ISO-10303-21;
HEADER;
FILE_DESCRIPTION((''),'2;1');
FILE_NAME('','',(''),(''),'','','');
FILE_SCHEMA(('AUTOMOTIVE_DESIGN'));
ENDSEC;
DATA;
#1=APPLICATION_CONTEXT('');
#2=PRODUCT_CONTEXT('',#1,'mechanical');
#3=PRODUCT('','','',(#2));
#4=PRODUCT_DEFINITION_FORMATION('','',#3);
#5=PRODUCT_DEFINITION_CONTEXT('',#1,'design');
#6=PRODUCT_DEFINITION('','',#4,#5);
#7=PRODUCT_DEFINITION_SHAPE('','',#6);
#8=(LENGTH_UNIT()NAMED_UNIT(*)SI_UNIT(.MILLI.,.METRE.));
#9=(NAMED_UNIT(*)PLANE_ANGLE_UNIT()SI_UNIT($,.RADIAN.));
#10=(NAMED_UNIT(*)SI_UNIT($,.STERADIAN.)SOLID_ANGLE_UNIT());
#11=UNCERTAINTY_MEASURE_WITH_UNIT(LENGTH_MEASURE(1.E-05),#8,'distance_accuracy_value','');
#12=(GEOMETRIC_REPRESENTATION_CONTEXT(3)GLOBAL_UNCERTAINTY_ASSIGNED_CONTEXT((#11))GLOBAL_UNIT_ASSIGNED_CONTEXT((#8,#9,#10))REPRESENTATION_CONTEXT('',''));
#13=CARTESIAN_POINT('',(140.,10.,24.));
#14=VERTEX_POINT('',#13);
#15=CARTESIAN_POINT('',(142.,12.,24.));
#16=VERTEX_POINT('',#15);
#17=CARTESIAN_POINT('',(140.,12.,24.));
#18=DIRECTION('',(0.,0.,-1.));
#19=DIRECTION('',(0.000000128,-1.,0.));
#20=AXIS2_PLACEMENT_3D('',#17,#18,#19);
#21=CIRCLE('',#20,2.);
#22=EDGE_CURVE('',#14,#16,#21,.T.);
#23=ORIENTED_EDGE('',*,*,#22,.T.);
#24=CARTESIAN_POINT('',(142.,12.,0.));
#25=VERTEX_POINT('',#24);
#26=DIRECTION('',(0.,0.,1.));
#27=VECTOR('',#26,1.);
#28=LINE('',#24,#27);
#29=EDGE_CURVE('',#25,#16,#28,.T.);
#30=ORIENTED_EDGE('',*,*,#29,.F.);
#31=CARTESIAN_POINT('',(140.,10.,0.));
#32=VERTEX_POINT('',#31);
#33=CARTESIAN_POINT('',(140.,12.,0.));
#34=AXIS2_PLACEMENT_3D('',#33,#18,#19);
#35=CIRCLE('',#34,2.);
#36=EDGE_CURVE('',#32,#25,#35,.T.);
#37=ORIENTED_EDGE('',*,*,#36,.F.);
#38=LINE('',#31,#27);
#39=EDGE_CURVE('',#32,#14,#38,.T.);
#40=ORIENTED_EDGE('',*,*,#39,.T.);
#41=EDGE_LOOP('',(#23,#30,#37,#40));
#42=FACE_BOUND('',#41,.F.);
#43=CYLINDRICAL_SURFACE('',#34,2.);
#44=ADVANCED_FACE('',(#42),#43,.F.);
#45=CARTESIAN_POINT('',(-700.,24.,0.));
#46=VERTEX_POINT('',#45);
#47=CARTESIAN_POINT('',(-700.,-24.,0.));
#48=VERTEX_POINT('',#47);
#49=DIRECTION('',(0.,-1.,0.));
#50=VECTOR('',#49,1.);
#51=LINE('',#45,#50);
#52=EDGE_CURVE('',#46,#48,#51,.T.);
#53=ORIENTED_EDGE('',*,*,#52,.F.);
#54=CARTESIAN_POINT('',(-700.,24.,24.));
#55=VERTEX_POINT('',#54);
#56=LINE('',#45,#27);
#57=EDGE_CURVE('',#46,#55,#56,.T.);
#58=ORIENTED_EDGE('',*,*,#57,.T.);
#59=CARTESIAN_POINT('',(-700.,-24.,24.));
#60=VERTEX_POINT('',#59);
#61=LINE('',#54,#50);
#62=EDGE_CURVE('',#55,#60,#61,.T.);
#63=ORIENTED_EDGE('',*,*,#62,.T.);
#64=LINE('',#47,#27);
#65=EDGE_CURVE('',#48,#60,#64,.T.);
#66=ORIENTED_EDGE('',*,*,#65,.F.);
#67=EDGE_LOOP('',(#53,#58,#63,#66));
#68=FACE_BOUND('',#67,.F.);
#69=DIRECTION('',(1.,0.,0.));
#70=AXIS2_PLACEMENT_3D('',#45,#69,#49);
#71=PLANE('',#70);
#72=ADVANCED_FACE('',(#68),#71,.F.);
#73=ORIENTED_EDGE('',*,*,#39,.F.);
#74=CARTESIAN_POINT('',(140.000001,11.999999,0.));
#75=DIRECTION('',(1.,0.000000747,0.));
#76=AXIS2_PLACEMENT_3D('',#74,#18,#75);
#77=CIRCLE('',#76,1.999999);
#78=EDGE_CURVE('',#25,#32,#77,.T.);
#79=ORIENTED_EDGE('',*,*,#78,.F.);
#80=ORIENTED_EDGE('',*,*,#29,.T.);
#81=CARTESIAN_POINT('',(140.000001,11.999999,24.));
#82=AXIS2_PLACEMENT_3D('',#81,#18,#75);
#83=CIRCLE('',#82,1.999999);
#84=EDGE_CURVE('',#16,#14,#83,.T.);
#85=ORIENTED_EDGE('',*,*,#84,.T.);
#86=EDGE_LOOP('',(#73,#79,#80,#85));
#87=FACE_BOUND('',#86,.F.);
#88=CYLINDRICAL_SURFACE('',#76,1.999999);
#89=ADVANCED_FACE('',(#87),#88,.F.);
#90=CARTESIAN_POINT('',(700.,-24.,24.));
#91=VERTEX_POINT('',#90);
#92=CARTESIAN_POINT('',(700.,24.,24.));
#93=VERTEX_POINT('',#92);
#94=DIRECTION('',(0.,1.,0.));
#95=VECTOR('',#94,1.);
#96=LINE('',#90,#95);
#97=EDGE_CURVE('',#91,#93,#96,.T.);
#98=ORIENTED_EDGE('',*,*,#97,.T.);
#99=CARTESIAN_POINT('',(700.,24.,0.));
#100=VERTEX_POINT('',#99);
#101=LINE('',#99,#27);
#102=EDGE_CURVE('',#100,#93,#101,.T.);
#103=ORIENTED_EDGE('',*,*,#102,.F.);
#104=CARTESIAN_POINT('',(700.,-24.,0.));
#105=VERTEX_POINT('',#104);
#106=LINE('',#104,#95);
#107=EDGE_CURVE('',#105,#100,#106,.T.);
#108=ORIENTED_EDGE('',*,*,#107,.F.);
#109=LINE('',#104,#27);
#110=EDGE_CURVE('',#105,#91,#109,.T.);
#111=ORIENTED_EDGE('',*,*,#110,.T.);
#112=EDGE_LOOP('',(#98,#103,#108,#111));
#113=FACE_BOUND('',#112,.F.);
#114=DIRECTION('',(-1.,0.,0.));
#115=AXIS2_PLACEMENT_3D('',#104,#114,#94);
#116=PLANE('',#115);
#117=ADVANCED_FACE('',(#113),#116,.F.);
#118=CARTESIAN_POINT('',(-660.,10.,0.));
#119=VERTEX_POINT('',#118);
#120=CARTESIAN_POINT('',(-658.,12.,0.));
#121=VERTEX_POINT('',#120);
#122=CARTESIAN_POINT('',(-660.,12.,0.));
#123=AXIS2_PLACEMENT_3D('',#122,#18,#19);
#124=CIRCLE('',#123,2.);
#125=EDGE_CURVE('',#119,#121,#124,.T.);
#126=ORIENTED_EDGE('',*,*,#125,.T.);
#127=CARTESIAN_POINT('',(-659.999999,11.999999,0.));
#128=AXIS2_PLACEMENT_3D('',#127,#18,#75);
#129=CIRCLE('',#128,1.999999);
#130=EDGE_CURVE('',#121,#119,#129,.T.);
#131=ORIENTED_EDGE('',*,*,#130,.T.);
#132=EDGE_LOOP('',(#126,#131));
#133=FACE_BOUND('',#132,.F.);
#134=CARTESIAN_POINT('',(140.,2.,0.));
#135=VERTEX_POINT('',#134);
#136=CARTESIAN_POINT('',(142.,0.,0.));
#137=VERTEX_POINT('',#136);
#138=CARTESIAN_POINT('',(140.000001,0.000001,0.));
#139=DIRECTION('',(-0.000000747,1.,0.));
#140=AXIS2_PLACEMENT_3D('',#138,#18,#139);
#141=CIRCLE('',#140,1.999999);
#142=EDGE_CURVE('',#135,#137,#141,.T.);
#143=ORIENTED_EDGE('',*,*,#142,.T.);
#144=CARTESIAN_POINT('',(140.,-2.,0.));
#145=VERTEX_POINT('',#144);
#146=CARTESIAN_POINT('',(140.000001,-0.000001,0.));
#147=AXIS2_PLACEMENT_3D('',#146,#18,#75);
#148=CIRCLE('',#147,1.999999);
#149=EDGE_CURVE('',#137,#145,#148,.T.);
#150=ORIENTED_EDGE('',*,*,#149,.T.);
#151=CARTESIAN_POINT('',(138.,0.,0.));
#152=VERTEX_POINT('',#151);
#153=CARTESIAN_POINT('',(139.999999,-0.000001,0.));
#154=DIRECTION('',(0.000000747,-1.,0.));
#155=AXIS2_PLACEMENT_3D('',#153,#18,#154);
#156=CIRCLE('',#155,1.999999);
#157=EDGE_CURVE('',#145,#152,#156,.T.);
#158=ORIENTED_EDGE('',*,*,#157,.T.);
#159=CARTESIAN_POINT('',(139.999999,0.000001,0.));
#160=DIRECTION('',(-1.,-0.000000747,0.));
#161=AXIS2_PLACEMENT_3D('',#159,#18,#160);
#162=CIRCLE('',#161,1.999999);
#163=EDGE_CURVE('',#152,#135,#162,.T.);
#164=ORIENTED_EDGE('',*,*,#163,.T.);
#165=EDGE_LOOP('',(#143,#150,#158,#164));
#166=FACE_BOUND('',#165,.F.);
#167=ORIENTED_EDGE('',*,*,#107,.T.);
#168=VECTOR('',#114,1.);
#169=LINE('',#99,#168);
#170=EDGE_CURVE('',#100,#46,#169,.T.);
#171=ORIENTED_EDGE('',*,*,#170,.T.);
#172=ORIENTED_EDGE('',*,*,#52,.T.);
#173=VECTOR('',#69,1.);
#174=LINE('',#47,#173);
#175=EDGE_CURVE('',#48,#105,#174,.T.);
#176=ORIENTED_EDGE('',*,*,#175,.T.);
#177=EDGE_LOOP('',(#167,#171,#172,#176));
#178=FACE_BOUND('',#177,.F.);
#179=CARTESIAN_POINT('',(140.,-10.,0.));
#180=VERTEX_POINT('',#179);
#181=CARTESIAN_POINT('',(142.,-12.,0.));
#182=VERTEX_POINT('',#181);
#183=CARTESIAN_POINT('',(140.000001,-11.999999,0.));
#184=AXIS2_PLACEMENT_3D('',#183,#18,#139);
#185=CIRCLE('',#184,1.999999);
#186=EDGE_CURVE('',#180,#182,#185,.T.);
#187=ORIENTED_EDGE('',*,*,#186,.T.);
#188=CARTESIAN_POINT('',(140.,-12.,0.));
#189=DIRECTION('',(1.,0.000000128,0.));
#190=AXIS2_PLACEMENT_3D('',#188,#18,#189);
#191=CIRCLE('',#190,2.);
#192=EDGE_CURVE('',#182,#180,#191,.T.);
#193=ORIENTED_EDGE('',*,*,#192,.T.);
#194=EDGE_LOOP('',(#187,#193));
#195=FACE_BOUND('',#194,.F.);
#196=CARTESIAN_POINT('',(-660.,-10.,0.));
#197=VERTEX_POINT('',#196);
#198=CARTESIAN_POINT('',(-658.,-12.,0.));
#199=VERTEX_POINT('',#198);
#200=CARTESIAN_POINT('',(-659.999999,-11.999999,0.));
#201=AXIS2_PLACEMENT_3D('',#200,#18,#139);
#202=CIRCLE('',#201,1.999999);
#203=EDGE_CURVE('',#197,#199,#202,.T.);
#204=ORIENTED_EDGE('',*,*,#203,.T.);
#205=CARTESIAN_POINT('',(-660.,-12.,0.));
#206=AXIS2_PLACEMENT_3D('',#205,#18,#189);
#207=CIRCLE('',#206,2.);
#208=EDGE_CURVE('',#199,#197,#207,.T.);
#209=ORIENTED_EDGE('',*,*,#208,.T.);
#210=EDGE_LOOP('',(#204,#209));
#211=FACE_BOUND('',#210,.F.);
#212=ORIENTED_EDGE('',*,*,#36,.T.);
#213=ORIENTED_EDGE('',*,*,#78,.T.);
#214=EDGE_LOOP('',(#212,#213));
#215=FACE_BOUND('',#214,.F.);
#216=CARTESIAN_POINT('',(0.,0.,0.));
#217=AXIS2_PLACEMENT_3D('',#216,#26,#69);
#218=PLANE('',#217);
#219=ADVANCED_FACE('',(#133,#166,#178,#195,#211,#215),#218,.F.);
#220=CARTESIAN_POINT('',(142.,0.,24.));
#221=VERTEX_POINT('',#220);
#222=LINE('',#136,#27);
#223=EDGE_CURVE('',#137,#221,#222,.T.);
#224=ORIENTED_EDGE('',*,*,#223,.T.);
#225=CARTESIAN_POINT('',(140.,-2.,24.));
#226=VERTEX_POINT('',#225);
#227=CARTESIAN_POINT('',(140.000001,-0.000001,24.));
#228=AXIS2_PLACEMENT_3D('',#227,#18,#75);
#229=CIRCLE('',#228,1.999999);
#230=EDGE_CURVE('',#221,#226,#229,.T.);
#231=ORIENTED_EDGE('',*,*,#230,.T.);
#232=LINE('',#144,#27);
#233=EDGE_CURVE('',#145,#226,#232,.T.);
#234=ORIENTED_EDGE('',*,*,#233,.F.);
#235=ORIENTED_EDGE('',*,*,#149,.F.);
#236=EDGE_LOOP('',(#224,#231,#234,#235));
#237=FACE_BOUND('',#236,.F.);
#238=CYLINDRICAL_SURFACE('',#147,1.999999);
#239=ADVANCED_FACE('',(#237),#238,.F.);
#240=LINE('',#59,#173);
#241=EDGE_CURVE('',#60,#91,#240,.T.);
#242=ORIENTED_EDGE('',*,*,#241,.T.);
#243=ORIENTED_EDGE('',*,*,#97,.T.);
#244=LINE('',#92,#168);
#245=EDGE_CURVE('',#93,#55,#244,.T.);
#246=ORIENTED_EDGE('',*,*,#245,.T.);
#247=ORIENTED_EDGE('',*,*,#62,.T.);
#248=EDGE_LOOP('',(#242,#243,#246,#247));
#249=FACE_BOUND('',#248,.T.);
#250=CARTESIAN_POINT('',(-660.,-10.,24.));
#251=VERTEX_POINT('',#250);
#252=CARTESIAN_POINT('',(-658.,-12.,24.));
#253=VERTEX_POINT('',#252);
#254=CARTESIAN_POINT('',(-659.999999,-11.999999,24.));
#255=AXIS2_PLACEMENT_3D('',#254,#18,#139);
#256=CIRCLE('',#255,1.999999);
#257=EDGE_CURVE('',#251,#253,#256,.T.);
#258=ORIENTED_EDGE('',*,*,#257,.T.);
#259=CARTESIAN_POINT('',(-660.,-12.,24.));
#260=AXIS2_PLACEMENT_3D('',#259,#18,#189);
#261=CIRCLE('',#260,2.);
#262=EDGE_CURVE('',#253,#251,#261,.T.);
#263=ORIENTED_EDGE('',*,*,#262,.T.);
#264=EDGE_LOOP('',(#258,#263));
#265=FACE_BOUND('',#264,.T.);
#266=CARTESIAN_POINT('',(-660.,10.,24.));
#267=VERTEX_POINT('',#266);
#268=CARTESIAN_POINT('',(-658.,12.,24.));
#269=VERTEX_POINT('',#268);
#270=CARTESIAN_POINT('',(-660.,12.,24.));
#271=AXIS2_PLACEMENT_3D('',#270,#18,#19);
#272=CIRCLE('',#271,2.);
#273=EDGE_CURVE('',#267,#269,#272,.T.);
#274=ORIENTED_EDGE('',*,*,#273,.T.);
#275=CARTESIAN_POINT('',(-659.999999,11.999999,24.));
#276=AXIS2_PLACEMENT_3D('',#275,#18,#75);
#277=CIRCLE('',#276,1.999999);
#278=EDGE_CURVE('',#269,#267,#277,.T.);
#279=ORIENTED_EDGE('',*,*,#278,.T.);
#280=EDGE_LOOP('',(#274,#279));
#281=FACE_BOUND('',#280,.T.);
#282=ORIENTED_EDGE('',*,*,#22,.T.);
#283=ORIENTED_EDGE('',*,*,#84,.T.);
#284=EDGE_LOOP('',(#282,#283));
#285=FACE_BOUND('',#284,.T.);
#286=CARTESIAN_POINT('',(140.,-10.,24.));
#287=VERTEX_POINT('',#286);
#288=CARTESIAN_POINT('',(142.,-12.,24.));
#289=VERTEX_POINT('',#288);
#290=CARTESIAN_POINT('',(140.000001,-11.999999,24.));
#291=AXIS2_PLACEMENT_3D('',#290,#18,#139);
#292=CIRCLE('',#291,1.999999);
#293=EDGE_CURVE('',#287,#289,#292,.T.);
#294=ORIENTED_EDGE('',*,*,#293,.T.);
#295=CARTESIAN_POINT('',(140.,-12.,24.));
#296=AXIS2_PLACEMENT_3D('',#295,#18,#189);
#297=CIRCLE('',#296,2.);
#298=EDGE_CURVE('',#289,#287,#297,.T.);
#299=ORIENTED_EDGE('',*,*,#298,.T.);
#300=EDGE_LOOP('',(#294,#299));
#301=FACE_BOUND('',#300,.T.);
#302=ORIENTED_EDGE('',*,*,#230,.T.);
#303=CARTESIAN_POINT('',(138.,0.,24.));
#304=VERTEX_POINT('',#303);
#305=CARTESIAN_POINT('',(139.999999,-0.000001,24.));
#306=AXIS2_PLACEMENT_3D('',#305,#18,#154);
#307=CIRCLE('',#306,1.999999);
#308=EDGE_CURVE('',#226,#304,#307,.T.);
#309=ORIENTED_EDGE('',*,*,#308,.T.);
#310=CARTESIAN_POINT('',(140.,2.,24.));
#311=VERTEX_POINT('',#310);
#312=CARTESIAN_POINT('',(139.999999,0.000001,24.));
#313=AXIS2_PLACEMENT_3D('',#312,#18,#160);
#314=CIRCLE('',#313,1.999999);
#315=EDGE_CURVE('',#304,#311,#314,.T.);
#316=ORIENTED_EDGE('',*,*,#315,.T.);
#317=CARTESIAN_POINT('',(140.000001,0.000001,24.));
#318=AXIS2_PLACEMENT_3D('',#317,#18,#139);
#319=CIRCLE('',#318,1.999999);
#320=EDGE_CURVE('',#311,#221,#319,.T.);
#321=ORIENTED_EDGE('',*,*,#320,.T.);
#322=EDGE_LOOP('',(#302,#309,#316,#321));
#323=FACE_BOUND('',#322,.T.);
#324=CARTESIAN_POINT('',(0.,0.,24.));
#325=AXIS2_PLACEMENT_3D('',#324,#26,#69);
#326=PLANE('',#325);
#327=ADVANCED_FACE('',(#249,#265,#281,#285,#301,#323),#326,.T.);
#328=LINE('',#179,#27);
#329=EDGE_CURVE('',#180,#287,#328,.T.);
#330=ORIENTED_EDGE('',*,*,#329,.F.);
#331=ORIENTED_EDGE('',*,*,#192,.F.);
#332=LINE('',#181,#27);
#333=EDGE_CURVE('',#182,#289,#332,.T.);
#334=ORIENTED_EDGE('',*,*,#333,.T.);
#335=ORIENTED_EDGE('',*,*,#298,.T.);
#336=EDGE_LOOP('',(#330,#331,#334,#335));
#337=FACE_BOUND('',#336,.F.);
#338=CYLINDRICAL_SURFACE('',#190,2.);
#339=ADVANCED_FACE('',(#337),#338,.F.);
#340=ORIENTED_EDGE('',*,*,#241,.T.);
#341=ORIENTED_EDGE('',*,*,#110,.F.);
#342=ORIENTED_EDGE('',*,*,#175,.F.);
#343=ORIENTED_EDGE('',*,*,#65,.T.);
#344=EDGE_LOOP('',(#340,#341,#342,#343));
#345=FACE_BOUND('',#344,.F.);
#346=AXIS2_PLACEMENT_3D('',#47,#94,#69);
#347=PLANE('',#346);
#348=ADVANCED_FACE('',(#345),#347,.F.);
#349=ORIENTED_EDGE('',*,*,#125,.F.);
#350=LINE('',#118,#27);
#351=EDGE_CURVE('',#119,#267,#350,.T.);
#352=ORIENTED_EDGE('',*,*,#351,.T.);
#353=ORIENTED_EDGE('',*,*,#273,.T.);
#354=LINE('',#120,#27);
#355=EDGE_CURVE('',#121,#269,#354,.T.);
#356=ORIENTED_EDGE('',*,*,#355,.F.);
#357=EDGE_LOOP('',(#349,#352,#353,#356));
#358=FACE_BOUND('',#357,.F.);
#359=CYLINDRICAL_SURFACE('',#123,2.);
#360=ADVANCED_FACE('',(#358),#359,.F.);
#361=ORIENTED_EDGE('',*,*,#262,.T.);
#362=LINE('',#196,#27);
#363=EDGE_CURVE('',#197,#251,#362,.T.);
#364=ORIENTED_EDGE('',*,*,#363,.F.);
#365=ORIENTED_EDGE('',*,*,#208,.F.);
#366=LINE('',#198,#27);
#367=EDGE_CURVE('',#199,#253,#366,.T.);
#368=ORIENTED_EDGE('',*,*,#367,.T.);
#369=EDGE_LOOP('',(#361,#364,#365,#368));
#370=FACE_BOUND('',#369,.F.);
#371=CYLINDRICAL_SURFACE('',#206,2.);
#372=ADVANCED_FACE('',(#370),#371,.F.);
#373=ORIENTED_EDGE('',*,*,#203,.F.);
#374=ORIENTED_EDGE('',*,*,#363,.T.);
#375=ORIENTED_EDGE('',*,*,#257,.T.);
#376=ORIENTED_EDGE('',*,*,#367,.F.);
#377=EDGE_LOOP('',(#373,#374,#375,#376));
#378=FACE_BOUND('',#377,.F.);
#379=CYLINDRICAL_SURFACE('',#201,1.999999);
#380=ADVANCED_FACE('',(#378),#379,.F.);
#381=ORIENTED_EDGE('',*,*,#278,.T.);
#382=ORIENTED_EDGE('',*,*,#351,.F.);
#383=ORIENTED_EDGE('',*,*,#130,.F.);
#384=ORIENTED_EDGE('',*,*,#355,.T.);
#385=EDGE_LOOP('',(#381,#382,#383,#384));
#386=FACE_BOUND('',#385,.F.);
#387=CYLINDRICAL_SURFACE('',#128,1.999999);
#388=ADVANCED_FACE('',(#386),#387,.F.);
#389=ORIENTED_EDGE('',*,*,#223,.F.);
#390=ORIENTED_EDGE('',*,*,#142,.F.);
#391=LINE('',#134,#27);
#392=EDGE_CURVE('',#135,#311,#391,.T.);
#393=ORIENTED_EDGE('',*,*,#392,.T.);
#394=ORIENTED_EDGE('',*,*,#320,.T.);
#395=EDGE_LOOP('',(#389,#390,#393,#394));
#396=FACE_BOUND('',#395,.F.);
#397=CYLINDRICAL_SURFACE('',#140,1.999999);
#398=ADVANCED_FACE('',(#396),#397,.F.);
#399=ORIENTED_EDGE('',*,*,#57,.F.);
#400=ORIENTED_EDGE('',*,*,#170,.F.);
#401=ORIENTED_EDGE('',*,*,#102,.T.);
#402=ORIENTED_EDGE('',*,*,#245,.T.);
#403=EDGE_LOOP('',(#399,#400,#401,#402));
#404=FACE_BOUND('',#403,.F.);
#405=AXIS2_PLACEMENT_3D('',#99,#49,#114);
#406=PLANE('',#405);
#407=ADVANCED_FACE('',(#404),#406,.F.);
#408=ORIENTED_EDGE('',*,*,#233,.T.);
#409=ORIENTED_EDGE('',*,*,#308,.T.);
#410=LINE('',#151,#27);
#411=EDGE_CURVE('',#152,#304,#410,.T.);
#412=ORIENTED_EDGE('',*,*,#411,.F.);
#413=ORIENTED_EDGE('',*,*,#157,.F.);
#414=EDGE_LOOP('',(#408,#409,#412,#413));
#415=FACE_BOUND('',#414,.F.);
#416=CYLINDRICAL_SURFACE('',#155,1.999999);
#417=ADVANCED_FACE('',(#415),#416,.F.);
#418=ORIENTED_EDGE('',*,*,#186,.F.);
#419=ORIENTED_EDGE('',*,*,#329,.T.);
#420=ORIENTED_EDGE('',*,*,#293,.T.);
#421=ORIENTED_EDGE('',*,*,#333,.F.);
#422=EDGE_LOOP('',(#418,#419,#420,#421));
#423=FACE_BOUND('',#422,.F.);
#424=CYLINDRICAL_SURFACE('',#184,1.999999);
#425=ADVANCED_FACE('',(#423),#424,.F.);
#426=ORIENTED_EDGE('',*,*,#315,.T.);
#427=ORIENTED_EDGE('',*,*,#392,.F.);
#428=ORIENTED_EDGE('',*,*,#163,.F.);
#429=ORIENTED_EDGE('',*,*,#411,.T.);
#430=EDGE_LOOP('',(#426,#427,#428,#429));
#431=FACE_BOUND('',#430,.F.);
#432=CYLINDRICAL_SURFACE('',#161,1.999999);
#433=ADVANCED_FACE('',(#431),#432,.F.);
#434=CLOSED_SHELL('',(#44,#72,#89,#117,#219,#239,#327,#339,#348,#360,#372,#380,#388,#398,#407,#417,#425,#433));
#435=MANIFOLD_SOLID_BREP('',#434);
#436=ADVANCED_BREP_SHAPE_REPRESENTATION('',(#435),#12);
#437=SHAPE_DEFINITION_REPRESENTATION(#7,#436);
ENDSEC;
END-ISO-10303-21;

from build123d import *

# Parameters (mm, degrees)
F1_DEPTH = 24


with BuildPart() as f1:
    # F0 (on Top) → F1 (new body)
    with BuildSketch(Plane.XY):
        Polygon((-700, -24), (700, -24), (700, 24), (-700, 24), (-700, 0), align=None)
        with BuildLine():
            ThreePointArc((-658, -12), (-661.414214, -13.414214), (-660, -10))
            ThreePointArc((-660, -10), (-658.585786, -10.585786), (-658, -12))
        make_face(mode=Mode.SUBTRACT)
        with BuildLine():
            ThreePointArc((142, -12), (138.585786, -13.414214), (140, -10))
            ThreePointArc((140, -10), (141.414214, -10.585786), (142, -12))
        make_face(mode=Mode.SUBTRACT)
        with BuildLine():
            ThreePointArc((-658, 12), (-658.585786, 10.585786), (-660, 10))
            ThreePointArc((-660, 10), (-661.414214, 13.414214), (-658, 12))
        make_face(mode=Mode.SUBTRACT)
        with BuildLine():
            ThreePointArc((140, -2), (138.585786, -1.414214), (138, 0))
            ThreePointArc((138, 0), (138.585786, 1.414214), (140, 2))
            ThreePointArc((140, 2), (141.414214, 1.414214), (142, 0))
            ThreePointArc((142, 0), (141.414214, -1.414214), (140, -2))
        make_face(mode=Mode.SUBTRACT)
        with BuildLine():
            ThreePointArc((142, 12), (141.414214, 10.585786), (140, 10))
            ThreePointArc((140, 10), (138.585786, 13.414214), (142, 12))
        make_face(mode=Mode.SUBTRACT)
    extrude(amount=F1_DEPTH)


solid = f1.part
